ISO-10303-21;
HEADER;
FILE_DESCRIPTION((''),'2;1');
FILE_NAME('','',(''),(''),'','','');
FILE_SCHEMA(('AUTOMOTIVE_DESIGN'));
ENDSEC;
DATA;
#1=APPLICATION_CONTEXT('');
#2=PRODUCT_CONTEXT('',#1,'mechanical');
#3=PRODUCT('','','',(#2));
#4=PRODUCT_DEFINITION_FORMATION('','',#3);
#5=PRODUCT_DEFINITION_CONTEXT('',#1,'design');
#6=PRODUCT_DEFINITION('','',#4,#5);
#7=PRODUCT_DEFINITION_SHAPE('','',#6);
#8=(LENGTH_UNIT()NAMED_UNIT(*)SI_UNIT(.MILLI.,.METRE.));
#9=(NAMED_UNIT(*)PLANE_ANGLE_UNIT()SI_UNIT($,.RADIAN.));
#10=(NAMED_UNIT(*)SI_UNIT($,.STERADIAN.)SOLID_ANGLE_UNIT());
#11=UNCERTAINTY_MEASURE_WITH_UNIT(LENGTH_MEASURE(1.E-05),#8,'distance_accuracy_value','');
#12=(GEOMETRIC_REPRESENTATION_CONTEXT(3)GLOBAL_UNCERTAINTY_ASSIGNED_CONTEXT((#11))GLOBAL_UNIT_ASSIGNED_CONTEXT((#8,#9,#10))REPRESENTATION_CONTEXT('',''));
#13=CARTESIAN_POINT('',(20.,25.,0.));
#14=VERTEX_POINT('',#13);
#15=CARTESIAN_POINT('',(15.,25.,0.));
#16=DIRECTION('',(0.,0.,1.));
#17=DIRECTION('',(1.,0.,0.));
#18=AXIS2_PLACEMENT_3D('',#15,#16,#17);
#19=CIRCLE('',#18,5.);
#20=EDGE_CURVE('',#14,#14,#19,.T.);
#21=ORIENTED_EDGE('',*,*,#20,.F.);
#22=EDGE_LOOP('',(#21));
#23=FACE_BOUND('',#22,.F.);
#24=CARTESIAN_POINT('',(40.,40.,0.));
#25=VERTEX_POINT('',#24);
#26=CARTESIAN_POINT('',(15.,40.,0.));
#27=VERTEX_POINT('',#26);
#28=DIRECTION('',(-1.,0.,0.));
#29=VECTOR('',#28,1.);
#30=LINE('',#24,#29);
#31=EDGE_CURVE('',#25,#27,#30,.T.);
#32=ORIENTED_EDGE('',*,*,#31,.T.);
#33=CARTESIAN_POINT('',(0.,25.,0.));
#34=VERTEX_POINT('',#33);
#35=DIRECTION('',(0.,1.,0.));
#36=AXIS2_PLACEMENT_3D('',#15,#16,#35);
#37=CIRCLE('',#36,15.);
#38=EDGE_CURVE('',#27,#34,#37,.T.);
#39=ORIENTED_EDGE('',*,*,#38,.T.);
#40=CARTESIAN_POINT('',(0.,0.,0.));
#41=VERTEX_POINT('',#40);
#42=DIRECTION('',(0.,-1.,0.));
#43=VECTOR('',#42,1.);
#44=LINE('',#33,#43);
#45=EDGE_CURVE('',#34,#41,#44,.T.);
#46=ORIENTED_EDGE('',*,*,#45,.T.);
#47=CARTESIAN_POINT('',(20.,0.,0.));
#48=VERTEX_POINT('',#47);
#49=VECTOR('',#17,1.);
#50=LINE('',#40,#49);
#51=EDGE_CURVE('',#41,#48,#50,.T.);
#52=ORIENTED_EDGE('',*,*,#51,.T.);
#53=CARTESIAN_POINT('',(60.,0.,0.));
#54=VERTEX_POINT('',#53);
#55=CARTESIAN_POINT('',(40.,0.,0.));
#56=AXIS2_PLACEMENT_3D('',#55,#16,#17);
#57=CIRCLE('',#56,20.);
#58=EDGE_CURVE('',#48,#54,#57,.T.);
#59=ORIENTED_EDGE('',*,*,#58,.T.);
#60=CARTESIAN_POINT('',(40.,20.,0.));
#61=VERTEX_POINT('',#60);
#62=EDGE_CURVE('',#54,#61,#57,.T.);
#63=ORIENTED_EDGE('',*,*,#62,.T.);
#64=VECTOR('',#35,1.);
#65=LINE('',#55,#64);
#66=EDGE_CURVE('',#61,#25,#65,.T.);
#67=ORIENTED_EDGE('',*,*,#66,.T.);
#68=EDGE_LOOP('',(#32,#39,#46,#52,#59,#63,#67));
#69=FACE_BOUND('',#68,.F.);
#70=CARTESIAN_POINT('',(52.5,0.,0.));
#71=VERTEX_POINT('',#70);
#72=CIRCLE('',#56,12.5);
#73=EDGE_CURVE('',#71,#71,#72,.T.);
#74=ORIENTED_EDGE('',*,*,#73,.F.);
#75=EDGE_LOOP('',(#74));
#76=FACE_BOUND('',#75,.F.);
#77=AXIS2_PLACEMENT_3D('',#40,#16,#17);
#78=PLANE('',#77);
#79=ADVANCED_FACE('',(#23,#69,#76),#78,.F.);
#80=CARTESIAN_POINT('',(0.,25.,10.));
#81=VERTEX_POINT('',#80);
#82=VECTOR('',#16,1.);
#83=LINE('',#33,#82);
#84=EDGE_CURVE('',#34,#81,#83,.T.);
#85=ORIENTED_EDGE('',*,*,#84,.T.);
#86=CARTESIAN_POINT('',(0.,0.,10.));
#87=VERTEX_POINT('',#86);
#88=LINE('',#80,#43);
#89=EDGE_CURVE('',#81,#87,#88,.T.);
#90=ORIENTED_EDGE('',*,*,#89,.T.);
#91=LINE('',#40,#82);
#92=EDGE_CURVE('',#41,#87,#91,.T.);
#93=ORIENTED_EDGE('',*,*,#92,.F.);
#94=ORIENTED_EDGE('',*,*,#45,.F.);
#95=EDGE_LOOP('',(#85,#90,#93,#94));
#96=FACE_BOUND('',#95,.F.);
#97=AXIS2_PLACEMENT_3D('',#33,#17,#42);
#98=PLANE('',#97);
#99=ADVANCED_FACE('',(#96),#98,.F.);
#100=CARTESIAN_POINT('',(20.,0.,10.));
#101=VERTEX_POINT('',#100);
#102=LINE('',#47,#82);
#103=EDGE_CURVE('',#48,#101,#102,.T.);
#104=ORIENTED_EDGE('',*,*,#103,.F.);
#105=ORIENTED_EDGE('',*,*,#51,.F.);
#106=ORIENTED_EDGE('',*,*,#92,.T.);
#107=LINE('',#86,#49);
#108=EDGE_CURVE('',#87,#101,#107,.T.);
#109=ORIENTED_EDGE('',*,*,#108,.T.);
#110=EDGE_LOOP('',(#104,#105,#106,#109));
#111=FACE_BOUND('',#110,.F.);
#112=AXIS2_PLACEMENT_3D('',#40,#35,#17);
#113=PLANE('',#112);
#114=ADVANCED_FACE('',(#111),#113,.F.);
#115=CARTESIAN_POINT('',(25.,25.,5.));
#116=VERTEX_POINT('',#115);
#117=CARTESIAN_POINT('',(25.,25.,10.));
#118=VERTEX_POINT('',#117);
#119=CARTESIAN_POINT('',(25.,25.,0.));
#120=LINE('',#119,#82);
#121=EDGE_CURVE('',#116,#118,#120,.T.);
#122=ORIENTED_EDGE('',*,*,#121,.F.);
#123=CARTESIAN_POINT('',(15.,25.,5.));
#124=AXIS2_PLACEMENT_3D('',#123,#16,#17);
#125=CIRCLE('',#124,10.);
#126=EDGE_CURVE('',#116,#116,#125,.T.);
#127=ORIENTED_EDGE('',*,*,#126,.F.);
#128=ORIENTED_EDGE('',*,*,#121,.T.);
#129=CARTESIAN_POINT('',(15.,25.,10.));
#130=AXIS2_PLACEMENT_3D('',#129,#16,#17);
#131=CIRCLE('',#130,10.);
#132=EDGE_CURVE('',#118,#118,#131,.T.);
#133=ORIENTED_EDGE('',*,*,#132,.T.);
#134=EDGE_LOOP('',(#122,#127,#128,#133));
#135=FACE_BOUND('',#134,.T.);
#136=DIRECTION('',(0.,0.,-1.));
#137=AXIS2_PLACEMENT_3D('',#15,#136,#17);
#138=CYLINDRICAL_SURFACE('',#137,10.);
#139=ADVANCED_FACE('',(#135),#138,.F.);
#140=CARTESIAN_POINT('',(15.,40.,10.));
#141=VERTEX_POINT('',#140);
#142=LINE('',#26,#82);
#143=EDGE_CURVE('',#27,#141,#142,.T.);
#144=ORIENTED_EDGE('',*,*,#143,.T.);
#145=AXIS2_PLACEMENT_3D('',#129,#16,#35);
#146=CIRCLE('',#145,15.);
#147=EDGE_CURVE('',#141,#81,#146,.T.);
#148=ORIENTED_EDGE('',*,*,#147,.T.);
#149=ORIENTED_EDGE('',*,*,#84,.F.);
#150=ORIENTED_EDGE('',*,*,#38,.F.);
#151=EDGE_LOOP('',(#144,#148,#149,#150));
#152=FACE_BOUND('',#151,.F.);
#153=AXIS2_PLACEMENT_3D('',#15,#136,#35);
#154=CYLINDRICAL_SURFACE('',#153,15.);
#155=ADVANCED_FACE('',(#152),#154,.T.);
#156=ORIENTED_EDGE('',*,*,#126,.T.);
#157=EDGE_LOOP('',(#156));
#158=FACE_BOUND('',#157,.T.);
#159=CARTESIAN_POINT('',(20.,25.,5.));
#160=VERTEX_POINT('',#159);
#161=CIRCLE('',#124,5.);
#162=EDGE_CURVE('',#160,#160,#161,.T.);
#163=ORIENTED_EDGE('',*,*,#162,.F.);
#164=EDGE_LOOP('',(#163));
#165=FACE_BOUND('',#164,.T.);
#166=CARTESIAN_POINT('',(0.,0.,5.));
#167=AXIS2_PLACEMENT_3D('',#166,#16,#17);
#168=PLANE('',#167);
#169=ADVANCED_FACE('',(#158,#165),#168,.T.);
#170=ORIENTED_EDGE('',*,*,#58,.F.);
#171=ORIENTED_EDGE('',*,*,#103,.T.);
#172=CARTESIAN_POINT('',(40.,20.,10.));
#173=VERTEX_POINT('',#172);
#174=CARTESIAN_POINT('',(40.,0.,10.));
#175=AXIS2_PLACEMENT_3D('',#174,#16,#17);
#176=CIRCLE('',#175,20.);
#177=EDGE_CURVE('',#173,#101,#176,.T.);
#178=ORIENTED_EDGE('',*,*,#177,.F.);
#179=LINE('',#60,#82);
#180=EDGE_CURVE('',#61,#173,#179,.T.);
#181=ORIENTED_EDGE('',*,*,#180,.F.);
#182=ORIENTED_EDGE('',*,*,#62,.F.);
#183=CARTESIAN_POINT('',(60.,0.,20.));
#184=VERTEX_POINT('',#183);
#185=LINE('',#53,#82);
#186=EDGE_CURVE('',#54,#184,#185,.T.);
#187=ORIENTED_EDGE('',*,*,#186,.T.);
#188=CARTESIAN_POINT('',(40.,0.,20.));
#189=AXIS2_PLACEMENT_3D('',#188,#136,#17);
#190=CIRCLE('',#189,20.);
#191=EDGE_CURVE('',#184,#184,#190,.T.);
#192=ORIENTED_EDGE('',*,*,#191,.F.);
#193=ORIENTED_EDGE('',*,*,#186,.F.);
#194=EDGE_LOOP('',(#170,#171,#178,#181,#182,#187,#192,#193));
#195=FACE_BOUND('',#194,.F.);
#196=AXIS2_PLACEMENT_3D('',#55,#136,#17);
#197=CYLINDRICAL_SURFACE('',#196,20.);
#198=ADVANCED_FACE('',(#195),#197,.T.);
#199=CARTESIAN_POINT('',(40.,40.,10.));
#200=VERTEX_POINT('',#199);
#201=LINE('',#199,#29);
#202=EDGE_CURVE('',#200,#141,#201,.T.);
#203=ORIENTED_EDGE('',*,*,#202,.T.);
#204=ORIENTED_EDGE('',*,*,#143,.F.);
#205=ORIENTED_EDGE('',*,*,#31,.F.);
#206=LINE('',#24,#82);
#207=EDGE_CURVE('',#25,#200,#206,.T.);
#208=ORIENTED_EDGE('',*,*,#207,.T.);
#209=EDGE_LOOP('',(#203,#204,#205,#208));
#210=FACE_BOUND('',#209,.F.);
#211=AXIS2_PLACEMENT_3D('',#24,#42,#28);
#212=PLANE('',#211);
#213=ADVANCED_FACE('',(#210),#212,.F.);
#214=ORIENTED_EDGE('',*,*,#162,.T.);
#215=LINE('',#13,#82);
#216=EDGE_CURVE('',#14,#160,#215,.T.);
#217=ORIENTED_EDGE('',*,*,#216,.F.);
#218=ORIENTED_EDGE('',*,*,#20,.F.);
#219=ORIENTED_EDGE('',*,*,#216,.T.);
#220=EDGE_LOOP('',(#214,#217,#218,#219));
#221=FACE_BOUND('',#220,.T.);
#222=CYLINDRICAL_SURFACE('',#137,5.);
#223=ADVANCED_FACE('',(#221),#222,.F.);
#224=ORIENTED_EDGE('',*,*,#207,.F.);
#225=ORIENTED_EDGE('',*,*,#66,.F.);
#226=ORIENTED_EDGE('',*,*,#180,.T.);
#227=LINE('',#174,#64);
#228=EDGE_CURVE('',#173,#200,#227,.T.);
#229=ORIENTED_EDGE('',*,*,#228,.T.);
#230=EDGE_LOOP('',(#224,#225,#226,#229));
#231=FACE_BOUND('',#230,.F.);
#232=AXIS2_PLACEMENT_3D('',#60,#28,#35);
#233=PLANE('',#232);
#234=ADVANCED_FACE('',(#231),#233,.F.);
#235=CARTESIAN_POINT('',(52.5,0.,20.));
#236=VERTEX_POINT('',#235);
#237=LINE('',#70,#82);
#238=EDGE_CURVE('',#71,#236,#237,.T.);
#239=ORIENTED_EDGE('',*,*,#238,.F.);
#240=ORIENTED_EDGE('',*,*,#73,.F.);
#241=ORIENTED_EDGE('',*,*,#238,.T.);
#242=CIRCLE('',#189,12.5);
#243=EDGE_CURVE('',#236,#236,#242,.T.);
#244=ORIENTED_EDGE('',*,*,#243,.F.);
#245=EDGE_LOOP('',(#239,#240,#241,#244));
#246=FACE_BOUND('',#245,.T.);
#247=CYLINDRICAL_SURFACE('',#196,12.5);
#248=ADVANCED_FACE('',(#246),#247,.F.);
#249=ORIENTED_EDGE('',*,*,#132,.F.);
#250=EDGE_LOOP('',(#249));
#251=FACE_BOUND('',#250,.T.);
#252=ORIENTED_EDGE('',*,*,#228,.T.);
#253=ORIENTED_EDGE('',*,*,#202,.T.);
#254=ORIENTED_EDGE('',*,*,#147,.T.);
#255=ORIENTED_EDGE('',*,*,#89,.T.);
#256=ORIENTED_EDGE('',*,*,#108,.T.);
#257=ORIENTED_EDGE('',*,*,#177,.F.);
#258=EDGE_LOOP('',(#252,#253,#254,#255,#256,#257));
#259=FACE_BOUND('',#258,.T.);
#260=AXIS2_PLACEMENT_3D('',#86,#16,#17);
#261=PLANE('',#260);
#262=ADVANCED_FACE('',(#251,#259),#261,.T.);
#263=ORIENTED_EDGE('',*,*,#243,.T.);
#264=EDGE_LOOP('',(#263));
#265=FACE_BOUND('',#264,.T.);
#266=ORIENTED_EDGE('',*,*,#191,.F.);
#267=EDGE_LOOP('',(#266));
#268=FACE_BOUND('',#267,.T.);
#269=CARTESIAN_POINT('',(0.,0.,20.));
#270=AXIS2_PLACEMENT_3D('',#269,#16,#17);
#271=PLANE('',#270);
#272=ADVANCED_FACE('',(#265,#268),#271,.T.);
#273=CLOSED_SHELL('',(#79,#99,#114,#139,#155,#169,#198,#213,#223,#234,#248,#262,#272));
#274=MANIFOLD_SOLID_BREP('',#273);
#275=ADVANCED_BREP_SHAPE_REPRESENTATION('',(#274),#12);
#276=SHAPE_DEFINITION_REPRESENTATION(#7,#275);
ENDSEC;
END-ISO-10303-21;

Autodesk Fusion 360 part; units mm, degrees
sketch "스케치1" plane through (0, 0, 0) normal (0, 0, 1) x (1, 0, 0)
  line L0 (0, 0) -> (40, 0)
  line L1 (40, 0) -> (40, 40)
  line L2 (40, 40) -> (15, 40)
  line L3 (0, 25) -> (0, 0)
  circle A0 centre (40, 0) radius 20
  circle A1 centre (40, 0) radius 12.5
  arc A2 (15, 40) -> (0, 25) centre (15, 25) ccw
  circle A3 centre (15, 25) radius 10
  circle A4 centre (15, 25) radius 5
  point P0 (0, 40)
  dimension "d1" = 40
  dimension "d2" = 40
  dimension "d3" = 40
  dimension "d4" = 25
  dimension "d5" = 15
  dimension "d6" = 20
  dimension "d7" = 10
extrude "돌출4" add sketch "스케치1" along normal blind 10 contours L0 L1 L2 L3 A0 A2 makes body 1
extrude "돌출5" add sketch "스케치1" along normal blind 20 separate body contours L0 L1 A0 A1 picked at (22.5745, -0.9936) makes body 2
extrude "돌출6" add sketch "스케치1" along normal blind 20 contours L0 L1 A0 A1 picked at (27.447, 12.1327) bodies 1 2
extrude "돌출7" add sketch "스케치1" along normal blind 5 contours A3 bodies 1
